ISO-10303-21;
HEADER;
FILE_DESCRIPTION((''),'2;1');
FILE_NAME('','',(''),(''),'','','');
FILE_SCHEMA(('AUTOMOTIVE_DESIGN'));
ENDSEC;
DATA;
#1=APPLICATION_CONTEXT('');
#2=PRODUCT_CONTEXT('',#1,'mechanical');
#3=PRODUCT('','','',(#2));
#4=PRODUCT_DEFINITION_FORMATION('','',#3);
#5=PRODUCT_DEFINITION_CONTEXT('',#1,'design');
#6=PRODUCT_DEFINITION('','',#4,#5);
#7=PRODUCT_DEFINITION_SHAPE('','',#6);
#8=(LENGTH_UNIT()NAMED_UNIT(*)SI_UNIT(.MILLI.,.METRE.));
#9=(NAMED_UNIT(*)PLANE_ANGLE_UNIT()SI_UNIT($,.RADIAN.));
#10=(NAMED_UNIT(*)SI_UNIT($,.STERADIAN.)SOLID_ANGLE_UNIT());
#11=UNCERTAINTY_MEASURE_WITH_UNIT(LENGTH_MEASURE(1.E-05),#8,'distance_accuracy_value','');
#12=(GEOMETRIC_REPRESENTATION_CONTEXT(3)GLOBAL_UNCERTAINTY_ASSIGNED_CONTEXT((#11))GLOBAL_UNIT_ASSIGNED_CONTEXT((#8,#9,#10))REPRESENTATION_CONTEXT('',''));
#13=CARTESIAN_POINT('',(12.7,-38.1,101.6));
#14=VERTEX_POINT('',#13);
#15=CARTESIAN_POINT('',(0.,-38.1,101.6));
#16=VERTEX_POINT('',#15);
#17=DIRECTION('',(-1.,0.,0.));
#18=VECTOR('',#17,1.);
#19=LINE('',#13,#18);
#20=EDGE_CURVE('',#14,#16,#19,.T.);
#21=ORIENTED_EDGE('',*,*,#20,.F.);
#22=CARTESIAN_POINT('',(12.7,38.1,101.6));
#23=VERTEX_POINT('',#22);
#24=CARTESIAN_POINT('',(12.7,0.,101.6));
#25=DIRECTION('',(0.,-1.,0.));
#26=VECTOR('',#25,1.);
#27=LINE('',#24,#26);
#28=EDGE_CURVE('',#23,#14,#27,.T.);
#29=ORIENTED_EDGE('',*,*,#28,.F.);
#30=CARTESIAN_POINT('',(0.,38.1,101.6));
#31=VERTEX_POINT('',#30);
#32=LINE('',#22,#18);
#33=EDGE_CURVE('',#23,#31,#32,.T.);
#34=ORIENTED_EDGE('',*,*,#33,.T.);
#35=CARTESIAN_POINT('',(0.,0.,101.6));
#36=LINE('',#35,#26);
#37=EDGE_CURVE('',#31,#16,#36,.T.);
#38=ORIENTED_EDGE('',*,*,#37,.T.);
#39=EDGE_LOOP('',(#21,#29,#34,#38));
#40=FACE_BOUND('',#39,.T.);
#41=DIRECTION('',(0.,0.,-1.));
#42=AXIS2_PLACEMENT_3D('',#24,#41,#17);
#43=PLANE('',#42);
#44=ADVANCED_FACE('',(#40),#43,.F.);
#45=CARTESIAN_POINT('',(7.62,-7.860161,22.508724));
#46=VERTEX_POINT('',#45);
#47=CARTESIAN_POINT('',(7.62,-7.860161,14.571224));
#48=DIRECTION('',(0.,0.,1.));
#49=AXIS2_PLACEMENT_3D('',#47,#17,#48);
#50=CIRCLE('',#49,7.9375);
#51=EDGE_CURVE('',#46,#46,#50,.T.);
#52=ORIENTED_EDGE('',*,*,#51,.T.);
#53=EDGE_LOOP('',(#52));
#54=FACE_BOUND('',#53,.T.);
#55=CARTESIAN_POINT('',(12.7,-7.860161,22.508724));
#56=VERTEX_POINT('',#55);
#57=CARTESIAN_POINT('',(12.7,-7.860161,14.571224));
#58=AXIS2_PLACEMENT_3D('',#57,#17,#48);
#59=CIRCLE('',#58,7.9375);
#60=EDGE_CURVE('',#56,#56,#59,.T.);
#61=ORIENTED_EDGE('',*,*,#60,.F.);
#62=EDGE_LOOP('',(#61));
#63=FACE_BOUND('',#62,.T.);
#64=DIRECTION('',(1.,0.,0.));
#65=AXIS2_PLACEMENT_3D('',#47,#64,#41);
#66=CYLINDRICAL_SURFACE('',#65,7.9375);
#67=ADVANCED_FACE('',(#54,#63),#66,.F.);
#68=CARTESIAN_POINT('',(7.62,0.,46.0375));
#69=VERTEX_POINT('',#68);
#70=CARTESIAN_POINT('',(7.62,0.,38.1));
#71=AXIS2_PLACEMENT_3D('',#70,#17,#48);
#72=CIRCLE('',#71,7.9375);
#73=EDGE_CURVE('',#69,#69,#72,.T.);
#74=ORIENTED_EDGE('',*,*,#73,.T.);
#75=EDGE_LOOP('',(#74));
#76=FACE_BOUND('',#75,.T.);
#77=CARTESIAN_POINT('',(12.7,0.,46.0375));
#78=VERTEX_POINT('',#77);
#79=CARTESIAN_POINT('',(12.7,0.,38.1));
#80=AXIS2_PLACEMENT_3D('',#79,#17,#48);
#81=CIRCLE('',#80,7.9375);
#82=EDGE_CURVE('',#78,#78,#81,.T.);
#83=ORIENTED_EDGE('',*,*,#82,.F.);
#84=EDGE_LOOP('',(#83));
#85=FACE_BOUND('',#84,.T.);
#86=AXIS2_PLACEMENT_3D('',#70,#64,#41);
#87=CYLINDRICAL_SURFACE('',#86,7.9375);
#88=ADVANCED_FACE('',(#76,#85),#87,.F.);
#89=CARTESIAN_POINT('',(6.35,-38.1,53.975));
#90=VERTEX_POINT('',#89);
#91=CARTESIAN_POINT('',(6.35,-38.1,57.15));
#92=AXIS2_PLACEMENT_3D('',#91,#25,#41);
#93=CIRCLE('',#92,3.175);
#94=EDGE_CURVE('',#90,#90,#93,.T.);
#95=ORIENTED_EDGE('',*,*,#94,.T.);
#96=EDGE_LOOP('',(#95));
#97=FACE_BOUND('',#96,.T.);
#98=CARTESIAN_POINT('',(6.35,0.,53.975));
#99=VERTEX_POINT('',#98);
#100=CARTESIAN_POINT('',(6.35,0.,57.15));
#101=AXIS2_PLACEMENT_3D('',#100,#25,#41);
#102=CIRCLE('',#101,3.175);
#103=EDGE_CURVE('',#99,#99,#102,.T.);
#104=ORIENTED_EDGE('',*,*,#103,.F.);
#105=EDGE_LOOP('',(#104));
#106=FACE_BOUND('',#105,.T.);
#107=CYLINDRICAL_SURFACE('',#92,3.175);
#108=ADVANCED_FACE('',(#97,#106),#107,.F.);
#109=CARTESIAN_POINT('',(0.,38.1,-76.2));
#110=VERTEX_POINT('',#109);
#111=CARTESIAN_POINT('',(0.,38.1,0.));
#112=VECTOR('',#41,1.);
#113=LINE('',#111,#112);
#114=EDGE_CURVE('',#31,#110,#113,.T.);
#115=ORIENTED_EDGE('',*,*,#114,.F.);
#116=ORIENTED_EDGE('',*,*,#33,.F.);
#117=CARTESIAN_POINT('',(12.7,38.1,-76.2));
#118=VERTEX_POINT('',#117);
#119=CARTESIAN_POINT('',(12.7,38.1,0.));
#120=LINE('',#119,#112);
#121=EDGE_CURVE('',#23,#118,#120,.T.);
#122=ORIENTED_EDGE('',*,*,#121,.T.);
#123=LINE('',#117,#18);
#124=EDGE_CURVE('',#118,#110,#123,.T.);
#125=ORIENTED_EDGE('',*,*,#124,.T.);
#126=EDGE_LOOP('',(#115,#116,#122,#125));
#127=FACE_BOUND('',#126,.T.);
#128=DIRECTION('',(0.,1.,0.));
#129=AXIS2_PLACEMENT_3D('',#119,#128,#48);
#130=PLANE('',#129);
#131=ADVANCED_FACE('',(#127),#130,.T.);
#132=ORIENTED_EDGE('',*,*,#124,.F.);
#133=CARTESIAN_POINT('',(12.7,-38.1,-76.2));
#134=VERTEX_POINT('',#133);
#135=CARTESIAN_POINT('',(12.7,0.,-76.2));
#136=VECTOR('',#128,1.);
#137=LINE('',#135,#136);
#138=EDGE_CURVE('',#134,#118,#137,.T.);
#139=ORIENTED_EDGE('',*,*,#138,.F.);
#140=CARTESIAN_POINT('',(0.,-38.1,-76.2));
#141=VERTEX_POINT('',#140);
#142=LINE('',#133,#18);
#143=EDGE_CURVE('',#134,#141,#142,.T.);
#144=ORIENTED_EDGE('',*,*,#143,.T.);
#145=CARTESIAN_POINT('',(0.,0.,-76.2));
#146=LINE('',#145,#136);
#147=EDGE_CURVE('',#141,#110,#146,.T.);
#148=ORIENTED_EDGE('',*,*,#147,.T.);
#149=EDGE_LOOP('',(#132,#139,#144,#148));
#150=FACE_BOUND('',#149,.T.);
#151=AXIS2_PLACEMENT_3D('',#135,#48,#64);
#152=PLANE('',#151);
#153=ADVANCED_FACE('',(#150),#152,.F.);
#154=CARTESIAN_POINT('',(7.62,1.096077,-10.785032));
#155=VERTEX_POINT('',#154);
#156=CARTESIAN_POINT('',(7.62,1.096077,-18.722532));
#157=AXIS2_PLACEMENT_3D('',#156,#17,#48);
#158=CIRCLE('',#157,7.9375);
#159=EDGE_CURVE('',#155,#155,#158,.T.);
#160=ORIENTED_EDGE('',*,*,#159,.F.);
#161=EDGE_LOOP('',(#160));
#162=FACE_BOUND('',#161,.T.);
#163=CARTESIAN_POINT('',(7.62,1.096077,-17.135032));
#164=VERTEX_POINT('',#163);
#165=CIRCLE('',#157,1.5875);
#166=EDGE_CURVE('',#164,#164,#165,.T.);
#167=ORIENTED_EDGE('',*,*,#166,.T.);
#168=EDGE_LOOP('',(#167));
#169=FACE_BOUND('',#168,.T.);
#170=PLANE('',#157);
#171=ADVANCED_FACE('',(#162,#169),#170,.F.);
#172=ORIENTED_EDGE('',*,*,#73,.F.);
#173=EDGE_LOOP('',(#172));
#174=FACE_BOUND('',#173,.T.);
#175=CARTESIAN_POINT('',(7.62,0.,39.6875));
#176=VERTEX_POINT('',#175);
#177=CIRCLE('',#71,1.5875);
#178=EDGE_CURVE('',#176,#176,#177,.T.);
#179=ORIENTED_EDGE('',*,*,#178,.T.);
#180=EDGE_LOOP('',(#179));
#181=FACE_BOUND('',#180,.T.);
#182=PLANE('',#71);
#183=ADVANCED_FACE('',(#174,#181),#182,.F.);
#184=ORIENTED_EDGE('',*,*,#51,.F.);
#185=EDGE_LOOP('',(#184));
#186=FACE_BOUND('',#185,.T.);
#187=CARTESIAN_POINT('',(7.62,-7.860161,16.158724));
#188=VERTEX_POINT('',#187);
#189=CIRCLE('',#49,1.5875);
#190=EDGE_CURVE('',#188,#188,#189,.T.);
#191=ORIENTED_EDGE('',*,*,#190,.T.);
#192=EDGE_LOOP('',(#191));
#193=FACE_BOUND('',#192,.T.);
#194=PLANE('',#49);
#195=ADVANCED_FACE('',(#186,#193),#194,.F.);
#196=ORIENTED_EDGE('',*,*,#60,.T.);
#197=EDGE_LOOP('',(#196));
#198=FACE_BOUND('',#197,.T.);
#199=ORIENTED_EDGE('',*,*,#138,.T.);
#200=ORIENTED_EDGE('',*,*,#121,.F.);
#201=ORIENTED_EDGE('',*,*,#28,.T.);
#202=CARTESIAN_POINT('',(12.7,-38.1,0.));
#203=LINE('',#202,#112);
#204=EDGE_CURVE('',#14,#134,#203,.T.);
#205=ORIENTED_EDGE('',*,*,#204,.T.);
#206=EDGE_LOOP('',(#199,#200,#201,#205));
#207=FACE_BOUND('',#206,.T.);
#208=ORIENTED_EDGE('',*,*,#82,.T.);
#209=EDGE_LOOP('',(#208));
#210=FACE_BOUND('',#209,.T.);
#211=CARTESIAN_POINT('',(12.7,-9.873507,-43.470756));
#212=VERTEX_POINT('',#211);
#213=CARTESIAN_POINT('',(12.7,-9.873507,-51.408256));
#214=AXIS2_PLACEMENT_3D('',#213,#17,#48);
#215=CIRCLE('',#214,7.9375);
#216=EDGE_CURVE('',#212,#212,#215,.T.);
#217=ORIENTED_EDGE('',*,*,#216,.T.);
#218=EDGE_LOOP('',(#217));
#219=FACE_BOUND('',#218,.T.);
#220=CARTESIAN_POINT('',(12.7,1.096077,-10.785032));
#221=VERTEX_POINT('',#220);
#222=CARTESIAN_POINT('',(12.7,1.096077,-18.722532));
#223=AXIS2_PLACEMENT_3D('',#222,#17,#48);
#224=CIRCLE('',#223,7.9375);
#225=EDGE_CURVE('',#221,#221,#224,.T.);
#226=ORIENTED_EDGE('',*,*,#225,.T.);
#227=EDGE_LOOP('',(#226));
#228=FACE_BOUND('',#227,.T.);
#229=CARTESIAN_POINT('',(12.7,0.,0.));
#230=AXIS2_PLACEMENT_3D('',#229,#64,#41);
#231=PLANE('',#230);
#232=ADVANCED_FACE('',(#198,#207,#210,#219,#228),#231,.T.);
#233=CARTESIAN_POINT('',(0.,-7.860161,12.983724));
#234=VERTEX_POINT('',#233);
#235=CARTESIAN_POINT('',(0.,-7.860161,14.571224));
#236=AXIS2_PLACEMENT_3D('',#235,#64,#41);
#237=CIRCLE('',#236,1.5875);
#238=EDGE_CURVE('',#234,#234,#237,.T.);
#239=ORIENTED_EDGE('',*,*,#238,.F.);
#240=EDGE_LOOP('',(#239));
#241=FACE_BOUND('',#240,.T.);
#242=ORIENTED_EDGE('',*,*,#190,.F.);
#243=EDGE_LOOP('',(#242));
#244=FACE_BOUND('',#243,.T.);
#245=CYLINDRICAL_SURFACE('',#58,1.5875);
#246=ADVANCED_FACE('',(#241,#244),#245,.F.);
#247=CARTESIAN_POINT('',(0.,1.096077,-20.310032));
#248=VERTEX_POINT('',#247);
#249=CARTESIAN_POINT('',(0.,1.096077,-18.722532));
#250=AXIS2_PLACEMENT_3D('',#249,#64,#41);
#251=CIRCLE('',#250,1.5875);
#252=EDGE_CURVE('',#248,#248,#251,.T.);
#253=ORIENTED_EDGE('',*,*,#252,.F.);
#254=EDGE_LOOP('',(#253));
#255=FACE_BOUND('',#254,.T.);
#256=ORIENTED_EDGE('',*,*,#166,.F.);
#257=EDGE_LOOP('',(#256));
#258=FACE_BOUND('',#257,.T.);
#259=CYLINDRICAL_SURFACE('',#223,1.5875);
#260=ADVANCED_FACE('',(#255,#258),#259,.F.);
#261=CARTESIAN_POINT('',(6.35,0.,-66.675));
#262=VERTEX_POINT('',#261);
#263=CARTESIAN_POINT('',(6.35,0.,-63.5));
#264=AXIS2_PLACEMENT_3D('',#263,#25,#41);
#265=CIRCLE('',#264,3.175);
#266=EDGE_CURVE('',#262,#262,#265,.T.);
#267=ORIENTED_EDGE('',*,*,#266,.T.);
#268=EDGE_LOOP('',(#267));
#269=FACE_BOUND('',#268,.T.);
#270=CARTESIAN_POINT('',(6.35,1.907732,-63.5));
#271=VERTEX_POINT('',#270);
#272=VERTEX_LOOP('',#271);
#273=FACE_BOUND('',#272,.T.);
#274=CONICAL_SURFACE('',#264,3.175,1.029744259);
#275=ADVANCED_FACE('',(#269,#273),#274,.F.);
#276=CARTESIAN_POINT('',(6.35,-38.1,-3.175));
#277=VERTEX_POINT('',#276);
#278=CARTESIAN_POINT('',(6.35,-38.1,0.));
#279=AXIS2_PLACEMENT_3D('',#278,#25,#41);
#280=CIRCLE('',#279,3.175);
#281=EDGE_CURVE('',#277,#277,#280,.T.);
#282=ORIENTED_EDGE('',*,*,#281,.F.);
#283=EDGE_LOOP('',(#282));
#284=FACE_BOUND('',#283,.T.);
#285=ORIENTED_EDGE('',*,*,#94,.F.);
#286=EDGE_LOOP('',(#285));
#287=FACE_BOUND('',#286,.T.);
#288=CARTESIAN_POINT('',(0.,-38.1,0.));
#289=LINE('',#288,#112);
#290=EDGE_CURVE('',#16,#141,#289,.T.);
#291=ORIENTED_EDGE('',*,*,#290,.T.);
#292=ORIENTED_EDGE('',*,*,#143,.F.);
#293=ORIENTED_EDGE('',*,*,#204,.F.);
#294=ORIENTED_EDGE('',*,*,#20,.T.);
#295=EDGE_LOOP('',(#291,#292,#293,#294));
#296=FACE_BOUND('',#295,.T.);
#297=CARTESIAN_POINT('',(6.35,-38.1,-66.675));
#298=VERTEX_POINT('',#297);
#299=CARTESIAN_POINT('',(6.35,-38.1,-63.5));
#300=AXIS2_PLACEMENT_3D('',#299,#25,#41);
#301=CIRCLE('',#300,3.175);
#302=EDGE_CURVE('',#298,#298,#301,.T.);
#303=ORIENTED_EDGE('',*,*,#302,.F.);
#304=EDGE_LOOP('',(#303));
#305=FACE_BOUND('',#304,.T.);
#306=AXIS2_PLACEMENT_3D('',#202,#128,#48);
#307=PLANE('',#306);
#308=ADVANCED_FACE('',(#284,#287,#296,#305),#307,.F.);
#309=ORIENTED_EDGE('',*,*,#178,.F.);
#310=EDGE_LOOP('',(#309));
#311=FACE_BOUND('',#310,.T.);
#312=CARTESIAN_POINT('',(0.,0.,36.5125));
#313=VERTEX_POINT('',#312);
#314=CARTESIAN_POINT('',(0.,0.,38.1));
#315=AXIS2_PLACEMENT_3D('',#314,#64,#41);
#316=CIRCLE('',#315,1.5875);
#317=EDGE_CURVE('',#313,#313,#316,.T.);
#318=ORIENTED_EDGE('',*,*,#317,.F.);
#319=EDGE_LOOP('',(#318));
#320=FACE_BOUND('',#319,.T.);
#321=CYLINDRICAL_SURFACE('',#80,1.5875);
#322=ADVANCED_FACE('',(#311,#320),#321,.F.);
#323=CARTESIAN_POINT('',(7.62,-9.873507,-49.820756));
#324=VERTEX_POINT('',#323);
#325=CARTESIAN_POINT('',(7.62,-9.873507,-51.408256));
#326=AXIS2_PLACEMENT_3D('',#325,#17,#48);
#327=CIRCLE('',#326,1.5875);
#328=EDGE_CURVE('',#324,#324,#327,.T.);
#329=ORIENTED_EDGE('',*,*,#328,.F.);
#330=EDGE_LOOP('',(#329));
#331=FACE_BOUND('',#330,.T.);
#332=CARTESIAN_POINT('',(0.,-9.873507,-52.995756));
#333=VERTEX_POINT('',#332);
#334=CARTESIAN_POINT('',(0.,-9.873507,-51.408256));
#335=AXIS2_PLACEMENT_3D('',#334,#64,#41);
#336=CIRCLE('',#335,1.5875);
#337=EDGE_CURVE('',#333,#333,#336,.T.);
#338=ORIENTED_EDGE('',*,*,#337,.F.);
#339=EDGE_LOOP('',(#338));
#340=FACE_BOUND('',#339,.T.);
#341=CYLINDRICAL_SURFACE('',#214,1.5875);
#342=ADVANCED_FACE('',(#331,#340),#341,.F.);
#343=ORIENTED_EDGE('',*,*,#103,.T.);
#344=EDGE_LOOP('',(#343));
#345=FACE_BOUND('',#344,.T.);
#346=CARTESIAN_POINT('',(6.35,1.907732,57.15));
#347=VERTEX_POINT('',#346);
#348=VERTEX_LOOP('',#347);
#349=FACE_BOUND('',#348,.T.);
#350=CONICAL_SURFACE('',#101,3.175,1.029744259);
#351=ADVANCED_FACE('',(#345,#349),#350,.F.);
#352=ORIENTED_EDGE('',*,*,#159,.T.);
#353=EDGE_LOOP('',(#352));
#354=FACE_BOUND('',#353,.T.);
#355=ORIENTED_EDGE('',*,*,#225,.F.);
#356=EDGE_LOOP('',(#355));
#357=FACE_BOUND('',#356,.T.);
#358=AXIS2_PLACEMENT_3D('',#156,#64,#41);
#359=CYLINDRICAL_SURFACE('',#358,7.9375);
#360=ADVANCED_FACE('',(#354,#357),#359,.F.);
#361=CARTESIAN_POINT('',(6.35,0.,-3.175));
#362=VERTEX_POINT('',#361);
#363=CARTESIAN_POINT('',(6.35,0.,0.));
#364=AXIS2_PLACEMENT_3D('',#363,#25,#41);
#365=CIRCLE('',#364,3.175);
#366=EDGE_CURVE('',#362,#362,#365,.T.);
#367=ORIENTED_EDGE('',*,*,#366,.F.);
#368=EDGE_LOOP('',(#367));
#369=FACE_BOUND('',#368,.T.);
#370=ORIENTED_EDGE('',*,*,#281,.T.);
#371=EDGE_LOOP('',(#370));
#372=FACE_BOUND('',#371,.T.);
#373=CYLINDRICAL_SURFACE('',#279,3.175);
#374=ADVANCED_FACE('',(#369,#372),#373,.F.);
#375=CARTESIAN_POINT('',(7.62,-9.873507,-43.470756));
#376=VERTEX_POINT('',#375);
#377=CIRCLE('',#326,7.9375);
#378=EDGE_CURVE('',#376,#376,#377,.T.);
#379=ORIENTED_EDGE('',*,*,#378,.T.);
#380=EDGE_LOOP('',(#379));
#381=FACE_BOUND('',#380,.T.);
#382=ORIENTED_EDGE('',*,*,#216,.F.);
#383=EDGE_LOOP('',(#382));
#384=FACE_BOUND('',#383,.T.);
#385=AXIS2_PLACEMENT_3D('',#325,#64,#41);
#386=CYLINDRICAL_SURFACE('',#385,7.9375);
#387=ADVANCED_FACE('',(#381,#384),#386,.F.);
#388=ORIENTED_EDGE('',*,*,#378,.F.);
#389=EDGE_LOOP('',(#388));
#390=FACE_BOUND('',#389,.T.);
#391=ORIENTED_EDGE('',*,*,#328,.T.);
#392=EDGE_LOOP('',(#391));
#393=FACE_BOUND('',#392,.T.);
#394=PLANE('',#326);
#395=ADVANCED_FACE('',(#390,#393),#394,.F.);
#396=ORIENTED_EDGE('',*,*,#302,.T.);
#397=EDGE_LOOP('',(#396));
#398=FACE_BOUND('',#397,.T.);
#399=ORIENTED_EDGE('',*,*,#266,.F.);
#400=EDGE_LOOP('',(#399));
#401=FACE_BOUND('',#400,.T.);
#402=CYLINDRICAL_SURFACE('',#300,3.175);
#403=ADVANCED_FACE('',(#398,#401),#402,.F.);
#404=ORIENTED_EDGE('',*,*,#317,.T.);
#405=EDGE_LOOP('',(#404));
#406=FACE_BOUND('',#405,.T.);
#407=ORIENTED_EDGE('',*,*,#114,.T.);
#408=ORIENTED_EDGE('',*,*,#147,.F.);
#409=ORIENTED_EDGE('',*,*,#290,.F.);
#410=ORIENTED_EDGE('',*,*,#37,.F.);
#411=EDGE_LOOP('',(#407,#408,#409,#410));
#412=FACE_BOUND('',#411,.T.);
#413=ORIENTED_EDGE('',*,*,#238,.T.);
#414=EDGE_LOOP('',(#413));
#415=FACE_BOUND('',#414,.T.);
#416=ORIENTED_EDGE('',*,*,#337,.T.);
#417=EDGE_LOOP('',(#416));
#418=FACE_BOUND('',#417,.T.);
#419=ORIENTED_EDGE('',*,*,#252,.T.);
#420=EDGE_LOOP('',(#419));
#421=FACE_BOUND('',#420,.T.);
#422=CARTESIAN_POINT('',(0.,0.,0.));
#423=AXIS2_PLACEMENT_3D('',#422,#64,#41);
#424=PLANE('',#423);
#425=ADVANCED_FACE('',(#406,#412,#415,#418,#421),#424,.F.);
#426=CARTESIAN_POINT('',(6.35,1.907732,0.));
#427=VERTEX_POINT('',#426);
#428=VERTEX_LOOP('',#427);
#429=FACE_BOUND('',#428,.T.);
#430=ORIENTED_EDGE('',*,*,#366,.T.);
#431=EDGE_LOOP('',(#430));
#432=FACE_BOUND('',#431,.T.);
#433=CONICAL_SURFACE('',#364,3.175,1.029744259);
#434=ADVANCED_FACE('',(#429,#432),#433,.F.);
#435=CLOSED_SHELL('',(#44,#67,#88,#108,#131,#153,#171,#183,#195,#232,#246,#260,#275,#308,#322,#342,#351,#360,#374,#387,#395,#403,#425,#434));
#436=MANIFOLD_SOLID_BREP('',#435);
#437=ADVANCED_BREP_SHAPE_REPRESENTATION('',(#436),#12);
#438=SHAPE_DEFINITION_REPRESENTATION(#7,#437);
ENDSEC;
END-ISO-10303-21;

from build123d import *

# Parameters (mm, degrees)
SKETCH1_W                       = 177.8
SKETCH1_H                       = 76.2
SKETCH1_R                       = 1.5875
BOSS_EXTRUDE1_DEPTH             = 12.7
SKETCH2_R                       = 7.9375
CUT_EXTRUDE1_DEPTH              = 5.08
F_1_4_0_25_DIAMETER_HOLE1_D     = 6.35
F_1_4_0_25_DIAMETER_HOLE1_DEPTH = 38.1
F_1_4_0_25_DIAMETER_HOLE1_TIP   = 1.907732465


with BuildPart() as part:
    # Sketch1 → Boss-Extrude1 (new body)
    with BuildSketch(Plane(origin=(0, 0, 0), x_dir=(0, 0, -1), z_dir=(1, 0, 0))):
        with Locations((-12.7, 0)):
            Rectangle(SKETCH1_W, SKETCH1_H)
        with Locations((18.72253158, 1.096077429)):
            Circle(SKETCH1_R, mode=Mode.SUBTRACT)
        with Locations((-38.1, 0)):
            Circle(SKETCH1_R, mode=Mode.SUBTRACT)
        with Locations((-14.571224015, -7.860160654)):
            Circle(SKETCH1_R, mode=Mode.SUBTRACT)
        with Locations((51.408255992, -9.873506971)):
            Circle(SKETCH1_R, mode=Mode.SUBTRACT)
    extrude(amount=BOSS_EXTRUDE1_DEPTH)

    # Sketch2 → Cut-Extrude1 (cut)
    with BuildSketch(Plane.ZY.offset(-12.7)):
        with Locations((38.1, 0)):
            Circle(SKETCH2_R)
        with Locations((14.571224015, -7.860160654)):
            Circle(SKETCH2_R)
        with Locations((-18.72253158, 1.096077429)):
            Circle(SKETCH2_R)
        with Locations((-51.408255992, -9.873506971)):
            Circle(SKETCH2_R)
    extrude(amount=CUT_EXTRUDE1_DEPTH, mode=Mode.SUBTRACT)

    # 1/4 (0.25) Diameter Hole1
    with Locations(Plane.XZ.offset(38.1)):
        with Locations((6.35, -63.5), (6.35, 0), (6.35, 57.15)):
            Hole(F_1_4_0_25_DIAMETER_HOLE1_D / 2, depth=F_1_4_0_25_DIAMETER_HOLE1_DEPTH)
            with Locations((0, 0, -(F_1_4_0_25_DIAMETER_HOLE1_DEPTH + F_1_4_0_25_DIAMETER_HOLE1_TIP / 2))):  # 118° drill point
                Cone(0, F_1_4_0_25_DIAMETER_HOLE1_D / 2, F_1_4_0_25_DIAMETER_HOLE1_TIP, mode=Mode.SUBTRACT)


solid = part.part
